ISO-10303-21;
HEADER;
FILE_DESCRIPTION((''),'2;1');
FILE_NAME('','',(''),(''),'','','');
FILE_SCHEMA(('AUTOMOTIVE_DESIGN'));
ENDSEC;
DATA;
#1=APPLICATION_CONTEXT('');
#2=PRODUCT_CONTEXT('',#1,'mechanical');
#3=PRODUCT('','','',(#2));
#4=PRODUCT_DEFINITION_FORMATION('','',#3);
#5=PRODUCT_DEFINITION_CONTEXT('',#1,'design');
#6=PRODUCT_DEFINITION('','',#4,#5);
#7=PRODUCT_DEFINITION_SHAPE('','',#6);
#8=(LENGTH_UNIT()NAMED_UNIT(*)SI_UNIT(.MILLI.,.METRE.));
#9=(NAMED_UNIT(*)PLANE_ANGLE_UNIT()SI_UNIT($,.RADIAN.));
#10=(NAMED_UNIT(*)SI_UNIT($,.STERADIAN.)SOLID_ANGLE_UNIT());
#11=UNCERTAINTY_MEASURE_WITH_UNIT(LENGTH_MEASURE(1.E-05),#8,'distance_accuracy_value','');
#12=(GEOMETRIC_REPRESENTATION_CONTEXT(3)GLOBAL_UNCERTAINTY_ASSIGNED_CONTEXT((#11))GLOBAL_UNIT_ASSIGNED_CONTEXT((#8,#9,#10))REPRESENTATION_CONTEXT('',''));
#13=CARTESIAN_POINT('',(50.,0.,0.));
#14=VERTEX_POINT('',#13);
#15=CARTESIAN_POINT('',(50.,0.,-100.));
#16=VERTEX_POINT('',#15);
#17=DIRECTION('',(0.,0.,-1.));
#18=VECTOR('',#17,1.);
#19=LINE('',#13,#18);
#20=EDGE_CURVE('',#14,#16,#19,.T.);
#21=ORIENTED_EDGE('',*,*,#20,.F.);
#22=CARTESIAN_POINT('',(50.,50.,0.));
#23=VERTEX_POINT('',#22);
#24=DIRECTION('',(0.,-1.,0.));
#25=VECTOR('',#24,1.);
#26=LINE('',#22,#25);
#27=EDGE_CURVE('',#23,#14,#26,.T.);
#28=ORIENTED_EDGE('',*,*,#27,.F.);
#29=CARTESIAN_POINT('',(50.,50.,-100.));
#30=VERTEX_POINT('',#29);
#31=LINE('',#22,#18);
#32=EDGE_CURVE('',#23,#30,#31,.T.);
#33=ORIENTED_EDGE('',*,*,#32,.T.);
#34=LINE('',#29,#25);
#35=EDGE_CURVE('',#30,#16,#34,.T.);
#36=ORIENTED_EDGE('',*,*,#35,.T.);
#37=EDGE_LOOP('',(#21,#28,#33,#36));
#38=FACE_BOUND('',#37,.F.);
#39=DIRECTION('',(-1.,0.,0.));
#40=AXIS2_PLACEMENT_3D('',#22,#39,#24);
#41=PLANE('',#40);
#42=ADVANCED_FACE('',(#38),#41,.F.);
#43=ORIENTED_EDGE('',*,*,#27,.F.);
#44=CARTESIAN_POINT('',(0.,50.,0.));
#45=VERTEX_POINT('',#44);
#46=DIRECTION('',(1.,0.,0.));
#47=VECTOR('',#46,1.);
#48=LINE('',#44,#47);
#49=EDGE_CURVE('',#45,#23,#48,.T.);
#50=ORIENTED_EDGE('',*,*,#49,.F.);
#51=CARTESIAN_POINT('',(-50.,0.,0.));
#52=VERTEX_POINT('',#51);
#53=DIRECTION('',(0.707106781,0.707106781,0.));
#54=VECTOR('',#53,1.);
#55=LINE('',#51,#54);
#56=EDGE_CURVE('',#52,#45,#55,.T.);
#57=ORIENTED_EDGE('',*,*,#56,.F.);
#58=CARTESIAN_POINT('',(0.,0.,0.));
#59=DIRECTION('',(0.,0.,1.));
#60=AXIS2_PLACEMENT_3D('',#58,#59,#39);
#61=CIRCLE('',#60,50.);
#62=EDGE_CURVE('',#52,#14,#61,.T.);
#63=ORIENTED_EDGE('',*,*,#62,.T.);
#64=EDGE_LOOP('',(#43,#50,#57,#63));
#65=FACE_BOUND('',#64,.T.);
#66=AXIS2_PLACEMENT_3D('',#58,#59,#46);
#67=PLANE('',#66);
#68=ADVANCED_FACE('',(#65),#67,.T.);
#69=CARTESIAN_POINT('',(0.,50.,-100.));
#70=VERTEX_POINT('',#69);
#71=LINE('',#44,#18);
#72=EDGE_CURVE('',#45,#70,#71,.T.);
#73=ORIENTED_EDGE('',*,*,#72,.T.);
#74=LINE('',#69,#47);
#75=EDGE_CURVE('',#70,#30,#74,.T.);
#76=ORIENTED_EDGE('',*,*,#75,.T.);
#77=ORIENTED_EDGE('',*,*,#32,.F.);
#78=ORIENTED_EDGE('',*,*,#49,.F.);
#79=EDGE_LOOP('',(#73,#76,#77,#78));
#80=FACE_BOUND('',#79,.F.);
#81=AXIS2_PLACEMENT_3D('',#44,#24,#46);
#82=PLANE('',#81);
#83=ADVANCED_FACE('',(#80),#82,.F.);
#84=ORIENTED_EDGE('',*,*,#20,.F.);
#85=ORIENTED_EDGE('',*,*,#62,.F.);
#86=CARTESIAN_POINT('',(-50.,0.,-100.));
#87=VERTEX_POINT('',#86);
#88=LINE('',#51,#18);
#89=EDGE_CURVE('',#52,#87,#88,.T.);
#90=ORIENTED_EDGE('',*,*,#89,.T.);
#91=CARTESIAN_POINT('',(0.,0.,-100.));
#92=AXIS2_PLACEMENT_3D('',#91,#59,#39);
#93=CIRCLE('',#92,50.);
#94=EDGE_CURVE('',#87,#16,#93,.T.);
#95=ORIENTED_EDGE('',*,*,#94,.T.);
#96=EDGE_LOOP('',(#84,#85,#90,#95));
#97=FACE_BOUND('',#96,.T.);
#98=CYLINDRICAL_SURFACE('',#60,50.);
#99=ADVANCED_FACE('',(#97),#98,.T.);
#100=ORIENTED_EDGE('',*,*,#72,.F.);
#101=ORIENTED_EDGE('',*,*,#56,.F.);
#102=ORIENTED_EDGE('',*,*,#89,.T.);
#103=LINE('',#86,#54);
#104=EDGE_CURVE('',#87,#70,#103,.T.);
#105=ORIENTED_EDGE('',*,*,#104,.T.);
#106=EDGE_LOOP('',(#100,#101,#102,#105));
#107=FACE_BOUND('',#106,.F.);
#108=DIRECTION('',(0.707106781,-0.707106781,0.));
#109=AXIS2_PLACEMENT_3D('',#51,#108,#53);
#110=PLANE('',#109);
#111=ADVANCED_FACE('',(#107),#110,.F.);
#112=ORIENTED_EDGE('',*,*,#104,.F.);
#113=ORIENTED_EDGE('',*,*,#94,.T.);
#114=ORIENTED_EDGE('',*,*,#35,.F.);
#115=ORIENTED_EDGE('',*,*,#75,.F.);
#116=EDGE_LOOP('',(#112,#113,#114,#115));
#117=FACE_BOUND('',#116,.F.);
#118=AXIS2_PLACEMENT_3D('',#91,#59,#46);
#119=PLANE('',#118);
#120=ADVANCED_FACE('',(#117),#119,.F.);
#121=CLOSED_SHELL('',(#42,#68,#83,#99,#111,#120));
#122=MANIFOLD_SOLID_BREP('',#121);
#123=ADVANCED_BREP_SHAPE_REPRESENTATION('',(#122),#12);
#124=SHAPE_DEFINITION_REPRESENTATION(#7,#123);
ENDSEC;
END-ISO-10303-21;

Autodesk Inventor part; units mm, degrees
ref_plane "YZ Plane" through (0, 0, 0) normal (1, 0, 0) x (0, 1, 0)
ref_plane "XZ Plane" through (0, 0, 0) normal (0, 1, 0) x (-1, 0, 0)
sketch "Sketch1" plane through (0, 0, 0) normal (0, 0, 1) x (1, 0, 0)
  line L0 (0, 50) -> (50, 50)
  line L1 (50, 50) -> (50, 0)
  arc A0 (-50, 0) -> (50, 0) centre (0, 0) ccw
  line L2 (-50, 0) -> (0, 50)
ref_plane "Work Plane1" through (0, 0, -100) normal (0, 0, 1) x (1, 0, 0)
extrude "Extrusion1" add sketch "Sketch1" against normal blind 100
properties part number "Extrude"
